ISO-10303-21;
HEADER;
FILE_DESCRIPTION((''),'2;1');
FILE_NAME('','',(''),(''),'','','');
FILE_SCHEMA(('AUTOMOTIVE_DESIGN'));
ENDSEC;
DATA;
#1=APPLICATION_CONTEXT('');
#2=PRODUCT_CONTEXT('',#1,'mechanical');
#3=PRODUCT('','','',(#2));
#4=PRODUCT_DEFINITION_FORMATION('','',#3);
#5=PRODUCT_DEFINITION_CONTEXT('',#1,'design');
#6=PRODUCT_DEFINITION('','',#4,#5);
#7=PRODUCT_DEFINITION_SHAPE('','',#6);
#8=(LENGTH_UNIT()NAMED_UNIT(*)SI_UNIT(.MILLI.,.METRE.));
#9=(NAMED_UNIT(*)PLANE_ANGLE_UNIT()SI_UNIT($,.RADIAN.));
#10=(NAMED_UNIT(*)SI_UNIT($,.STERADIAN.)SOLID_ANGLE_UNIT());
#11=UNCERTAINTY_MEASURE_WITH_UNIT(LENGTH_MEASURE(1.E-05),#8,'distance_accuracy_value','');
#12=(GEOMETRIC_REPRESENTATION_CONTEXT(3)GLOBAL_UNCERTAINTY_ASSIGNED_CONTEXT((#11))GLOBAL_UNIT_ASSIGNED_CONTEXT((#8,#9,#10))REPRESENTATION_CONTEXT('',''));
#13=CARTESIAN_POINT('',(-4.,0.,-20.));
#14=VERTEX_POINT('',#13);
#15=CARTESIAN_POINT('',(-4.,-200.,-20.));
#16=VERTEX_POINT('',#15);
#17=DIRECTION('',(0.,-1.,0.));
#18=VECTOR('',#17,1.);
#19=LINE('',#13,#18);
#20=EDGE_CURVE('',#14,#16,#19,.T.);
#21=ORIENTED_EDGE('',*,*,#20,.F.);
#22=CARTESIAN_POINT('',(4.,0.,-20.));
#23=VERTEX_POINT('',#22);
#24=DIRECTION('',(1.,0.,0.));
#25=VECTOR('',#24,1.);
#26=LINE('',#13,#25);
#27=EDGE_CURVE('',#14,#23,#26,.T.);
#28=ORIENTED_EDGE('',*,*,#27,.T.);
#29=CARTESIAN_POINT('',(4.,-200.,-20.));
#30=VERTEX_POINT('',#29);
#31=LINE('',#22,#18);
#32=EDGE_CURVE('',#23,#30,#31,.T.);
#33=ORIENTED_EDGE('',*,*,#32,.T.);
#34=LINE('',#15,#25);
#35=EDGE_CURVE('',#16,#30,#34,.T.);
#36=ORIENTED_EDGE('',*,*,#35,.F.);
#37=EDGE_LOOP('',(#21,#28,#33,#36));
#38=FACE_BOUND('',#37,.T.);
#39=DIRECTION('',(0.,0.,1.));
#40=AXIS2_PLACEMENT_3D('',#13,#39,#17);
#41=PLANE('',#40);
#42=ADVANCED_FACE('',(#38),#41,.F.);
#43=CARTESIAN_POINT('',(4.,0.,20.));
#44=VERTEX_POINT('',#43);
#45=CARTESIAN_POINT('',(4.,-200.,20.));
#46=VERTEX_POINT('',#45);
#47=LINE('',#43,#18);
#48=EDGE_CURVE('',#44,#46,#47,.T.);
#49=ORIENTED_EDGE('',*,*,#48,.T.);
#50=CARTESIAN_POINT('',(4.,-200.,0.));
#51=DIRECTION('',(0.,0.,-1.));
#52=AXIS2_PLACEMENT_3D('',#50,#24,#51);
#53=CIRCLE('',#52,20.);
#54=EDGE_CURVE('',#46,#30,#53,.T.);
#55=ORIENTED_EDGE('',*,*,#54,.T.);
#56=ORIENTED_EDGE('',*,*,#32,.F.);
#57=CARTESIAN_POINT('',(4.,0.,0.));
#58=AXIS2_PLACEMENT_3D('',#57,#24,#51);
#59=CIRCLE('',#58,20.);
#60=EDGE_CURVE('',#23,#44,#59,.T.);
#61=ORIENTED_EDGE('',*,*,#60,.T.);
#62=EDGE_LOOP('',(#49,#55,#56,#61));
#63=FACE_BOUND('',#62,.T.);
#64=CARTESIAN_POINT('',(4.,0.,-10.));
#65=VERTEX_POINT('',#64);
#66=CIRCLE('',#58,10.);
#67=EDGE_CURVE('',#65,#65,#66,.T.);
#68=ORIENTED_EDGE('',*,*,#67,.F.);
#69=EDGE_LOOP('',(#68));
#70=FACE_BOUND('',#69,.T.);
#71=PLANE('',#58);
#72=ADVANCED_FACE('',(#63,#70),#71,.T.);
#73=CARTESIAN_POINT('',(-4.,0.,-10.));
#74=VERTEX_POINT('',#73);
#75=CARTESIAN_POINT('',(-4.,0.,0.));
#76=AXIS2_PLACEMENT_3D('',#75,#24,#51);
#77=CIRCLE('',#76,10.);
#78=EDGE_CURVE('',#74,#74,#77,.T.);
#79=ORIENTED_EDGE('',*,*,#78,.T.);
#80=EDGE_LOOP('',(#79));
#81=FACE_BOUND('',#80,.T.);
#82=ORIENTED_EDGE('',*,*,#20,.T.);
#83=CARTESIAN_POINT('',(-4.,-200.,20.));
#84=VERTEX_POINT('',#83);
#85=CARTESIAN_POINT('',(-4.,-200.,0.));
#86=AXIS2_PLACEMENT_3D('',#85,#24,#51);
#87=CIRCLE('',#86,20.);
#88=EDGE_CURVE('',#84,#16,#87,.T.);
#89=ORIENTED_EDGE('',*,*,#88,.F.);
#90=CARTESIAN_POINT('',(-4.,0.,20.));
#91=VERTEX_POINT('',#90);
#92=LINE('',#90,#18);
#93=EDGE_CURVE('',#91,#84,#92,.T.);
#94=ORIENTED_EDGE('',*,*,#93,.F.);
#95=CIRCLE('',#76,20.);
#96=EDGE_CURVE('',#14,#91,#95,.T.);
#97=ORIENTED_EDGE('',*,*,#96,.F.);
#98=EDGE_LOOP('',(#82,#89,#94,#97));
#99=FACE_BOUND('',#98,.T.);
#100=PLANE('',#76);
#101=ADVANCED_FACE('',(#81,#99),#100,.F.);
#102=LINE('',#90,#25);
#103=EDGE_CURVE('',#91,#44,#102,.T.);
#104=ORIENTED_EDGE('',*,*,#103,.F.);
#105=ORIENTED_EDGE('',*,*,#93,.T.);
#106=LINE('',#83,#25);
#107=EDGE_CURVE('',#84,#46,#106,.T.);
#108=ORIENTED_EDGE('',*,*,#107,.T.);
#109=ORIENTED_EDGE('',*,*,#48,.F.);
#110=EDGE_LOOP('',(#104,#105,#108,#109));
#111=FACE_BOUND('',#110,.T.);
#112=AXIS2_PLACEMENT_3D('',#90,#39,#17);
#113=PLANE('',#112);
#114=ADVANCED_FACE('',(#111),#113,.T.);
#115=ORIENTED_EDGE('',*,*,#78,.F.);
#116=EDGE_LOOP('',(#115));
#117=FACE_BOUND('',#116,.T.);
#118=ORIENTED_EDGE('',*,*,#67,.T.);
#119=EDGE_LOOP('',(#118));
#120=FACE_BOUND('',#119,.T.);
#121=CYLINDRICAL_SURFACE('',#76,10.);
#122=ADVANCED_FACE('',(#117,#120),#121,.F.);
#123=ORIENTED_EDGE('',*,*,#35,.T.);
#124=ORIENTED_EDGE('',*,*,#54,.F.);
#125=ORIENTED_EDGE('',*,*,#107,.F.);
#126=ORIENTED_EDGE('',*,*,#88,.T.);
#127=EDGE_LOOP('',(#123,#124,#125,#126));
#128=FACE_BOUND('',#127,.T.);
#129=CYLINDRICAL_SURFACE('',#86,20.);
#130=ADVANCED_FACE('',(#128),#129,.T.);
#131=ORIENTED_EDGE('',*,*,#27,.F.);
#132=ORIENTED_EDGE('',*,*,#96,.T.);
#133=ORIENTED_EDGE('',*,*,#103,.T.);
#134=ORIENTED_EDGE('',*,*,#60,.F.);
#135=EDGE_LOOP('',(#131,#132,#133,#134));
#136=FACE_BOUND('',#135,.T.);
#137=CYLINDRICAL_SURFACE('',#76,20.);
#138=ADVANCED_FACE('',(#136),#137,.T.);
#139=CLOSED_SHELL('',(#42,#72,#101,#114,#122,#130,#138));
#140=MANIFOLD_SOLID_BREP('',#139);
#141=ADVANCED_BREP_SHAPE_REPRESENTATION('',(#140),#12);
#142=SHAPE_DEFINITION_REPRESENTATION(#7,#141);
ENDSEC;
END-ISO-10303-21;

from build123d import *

# Parameters (mm, degrees)
BOSS_EXTRUDE1_DEPTH      = 4
BOSS_EXTRUDE1_DEPTH_BACK = 4
SKETCH2_R                = 20
SKETCH2_R_2              = 10


with BuildPart() as part:
    # Sketch2 → Boss-Extrude1 (new, two sides: drawn at the far end of the back side and taken through both)
    # profile 1 of 3: a face of its own
    with BuildSketch(Plane(origin=(0, 0, 0), x_dir=(0, 0, -1), z_dir=(1, 0, 0)).offset(-BOSS_EXTRUDE1_DEPTH_BACK)):
        with BuildLine():
            ThreePointArc((20, 0), (0, -20), (-20, 0))
            Line((-20, 0), (-20, -200))
            ThreePointArc((-20, -200), (0, -180), (20, -200))
            Line((20, -200), (20, 0))
        make_face()
    # profile 2 of 3: a face of its own
    with BuildSketch(Plane(origin=(0, 0, 0), x_dir=(0, 0, -1), z_dir=(1, 0, 0)).offset(-BOSS_EXTRUDE1_DEPTH_BACK)):
        Circle(SKETCH2_R)
        Circle(SKETCH2_R_2, mode=Mode.SUBTRACT)
    # profile 3 of 3: a face of its own
    with BuildSketch(Plane(origin=(0, 0, 0), x_dir=(0, 0, -1), z_dir=(1, 0, 0)).offset(-BOSS_EXTRUDE1_DEPTH_BACK)):
        with Locations((0, -200)):
            Circle(SKETCH2_R)
    extrude(amount=BOSS_EXTRUDE1_DEPTH + BOSS_EXTRUDE1_DEPTH_BACK)


solid = part.part
